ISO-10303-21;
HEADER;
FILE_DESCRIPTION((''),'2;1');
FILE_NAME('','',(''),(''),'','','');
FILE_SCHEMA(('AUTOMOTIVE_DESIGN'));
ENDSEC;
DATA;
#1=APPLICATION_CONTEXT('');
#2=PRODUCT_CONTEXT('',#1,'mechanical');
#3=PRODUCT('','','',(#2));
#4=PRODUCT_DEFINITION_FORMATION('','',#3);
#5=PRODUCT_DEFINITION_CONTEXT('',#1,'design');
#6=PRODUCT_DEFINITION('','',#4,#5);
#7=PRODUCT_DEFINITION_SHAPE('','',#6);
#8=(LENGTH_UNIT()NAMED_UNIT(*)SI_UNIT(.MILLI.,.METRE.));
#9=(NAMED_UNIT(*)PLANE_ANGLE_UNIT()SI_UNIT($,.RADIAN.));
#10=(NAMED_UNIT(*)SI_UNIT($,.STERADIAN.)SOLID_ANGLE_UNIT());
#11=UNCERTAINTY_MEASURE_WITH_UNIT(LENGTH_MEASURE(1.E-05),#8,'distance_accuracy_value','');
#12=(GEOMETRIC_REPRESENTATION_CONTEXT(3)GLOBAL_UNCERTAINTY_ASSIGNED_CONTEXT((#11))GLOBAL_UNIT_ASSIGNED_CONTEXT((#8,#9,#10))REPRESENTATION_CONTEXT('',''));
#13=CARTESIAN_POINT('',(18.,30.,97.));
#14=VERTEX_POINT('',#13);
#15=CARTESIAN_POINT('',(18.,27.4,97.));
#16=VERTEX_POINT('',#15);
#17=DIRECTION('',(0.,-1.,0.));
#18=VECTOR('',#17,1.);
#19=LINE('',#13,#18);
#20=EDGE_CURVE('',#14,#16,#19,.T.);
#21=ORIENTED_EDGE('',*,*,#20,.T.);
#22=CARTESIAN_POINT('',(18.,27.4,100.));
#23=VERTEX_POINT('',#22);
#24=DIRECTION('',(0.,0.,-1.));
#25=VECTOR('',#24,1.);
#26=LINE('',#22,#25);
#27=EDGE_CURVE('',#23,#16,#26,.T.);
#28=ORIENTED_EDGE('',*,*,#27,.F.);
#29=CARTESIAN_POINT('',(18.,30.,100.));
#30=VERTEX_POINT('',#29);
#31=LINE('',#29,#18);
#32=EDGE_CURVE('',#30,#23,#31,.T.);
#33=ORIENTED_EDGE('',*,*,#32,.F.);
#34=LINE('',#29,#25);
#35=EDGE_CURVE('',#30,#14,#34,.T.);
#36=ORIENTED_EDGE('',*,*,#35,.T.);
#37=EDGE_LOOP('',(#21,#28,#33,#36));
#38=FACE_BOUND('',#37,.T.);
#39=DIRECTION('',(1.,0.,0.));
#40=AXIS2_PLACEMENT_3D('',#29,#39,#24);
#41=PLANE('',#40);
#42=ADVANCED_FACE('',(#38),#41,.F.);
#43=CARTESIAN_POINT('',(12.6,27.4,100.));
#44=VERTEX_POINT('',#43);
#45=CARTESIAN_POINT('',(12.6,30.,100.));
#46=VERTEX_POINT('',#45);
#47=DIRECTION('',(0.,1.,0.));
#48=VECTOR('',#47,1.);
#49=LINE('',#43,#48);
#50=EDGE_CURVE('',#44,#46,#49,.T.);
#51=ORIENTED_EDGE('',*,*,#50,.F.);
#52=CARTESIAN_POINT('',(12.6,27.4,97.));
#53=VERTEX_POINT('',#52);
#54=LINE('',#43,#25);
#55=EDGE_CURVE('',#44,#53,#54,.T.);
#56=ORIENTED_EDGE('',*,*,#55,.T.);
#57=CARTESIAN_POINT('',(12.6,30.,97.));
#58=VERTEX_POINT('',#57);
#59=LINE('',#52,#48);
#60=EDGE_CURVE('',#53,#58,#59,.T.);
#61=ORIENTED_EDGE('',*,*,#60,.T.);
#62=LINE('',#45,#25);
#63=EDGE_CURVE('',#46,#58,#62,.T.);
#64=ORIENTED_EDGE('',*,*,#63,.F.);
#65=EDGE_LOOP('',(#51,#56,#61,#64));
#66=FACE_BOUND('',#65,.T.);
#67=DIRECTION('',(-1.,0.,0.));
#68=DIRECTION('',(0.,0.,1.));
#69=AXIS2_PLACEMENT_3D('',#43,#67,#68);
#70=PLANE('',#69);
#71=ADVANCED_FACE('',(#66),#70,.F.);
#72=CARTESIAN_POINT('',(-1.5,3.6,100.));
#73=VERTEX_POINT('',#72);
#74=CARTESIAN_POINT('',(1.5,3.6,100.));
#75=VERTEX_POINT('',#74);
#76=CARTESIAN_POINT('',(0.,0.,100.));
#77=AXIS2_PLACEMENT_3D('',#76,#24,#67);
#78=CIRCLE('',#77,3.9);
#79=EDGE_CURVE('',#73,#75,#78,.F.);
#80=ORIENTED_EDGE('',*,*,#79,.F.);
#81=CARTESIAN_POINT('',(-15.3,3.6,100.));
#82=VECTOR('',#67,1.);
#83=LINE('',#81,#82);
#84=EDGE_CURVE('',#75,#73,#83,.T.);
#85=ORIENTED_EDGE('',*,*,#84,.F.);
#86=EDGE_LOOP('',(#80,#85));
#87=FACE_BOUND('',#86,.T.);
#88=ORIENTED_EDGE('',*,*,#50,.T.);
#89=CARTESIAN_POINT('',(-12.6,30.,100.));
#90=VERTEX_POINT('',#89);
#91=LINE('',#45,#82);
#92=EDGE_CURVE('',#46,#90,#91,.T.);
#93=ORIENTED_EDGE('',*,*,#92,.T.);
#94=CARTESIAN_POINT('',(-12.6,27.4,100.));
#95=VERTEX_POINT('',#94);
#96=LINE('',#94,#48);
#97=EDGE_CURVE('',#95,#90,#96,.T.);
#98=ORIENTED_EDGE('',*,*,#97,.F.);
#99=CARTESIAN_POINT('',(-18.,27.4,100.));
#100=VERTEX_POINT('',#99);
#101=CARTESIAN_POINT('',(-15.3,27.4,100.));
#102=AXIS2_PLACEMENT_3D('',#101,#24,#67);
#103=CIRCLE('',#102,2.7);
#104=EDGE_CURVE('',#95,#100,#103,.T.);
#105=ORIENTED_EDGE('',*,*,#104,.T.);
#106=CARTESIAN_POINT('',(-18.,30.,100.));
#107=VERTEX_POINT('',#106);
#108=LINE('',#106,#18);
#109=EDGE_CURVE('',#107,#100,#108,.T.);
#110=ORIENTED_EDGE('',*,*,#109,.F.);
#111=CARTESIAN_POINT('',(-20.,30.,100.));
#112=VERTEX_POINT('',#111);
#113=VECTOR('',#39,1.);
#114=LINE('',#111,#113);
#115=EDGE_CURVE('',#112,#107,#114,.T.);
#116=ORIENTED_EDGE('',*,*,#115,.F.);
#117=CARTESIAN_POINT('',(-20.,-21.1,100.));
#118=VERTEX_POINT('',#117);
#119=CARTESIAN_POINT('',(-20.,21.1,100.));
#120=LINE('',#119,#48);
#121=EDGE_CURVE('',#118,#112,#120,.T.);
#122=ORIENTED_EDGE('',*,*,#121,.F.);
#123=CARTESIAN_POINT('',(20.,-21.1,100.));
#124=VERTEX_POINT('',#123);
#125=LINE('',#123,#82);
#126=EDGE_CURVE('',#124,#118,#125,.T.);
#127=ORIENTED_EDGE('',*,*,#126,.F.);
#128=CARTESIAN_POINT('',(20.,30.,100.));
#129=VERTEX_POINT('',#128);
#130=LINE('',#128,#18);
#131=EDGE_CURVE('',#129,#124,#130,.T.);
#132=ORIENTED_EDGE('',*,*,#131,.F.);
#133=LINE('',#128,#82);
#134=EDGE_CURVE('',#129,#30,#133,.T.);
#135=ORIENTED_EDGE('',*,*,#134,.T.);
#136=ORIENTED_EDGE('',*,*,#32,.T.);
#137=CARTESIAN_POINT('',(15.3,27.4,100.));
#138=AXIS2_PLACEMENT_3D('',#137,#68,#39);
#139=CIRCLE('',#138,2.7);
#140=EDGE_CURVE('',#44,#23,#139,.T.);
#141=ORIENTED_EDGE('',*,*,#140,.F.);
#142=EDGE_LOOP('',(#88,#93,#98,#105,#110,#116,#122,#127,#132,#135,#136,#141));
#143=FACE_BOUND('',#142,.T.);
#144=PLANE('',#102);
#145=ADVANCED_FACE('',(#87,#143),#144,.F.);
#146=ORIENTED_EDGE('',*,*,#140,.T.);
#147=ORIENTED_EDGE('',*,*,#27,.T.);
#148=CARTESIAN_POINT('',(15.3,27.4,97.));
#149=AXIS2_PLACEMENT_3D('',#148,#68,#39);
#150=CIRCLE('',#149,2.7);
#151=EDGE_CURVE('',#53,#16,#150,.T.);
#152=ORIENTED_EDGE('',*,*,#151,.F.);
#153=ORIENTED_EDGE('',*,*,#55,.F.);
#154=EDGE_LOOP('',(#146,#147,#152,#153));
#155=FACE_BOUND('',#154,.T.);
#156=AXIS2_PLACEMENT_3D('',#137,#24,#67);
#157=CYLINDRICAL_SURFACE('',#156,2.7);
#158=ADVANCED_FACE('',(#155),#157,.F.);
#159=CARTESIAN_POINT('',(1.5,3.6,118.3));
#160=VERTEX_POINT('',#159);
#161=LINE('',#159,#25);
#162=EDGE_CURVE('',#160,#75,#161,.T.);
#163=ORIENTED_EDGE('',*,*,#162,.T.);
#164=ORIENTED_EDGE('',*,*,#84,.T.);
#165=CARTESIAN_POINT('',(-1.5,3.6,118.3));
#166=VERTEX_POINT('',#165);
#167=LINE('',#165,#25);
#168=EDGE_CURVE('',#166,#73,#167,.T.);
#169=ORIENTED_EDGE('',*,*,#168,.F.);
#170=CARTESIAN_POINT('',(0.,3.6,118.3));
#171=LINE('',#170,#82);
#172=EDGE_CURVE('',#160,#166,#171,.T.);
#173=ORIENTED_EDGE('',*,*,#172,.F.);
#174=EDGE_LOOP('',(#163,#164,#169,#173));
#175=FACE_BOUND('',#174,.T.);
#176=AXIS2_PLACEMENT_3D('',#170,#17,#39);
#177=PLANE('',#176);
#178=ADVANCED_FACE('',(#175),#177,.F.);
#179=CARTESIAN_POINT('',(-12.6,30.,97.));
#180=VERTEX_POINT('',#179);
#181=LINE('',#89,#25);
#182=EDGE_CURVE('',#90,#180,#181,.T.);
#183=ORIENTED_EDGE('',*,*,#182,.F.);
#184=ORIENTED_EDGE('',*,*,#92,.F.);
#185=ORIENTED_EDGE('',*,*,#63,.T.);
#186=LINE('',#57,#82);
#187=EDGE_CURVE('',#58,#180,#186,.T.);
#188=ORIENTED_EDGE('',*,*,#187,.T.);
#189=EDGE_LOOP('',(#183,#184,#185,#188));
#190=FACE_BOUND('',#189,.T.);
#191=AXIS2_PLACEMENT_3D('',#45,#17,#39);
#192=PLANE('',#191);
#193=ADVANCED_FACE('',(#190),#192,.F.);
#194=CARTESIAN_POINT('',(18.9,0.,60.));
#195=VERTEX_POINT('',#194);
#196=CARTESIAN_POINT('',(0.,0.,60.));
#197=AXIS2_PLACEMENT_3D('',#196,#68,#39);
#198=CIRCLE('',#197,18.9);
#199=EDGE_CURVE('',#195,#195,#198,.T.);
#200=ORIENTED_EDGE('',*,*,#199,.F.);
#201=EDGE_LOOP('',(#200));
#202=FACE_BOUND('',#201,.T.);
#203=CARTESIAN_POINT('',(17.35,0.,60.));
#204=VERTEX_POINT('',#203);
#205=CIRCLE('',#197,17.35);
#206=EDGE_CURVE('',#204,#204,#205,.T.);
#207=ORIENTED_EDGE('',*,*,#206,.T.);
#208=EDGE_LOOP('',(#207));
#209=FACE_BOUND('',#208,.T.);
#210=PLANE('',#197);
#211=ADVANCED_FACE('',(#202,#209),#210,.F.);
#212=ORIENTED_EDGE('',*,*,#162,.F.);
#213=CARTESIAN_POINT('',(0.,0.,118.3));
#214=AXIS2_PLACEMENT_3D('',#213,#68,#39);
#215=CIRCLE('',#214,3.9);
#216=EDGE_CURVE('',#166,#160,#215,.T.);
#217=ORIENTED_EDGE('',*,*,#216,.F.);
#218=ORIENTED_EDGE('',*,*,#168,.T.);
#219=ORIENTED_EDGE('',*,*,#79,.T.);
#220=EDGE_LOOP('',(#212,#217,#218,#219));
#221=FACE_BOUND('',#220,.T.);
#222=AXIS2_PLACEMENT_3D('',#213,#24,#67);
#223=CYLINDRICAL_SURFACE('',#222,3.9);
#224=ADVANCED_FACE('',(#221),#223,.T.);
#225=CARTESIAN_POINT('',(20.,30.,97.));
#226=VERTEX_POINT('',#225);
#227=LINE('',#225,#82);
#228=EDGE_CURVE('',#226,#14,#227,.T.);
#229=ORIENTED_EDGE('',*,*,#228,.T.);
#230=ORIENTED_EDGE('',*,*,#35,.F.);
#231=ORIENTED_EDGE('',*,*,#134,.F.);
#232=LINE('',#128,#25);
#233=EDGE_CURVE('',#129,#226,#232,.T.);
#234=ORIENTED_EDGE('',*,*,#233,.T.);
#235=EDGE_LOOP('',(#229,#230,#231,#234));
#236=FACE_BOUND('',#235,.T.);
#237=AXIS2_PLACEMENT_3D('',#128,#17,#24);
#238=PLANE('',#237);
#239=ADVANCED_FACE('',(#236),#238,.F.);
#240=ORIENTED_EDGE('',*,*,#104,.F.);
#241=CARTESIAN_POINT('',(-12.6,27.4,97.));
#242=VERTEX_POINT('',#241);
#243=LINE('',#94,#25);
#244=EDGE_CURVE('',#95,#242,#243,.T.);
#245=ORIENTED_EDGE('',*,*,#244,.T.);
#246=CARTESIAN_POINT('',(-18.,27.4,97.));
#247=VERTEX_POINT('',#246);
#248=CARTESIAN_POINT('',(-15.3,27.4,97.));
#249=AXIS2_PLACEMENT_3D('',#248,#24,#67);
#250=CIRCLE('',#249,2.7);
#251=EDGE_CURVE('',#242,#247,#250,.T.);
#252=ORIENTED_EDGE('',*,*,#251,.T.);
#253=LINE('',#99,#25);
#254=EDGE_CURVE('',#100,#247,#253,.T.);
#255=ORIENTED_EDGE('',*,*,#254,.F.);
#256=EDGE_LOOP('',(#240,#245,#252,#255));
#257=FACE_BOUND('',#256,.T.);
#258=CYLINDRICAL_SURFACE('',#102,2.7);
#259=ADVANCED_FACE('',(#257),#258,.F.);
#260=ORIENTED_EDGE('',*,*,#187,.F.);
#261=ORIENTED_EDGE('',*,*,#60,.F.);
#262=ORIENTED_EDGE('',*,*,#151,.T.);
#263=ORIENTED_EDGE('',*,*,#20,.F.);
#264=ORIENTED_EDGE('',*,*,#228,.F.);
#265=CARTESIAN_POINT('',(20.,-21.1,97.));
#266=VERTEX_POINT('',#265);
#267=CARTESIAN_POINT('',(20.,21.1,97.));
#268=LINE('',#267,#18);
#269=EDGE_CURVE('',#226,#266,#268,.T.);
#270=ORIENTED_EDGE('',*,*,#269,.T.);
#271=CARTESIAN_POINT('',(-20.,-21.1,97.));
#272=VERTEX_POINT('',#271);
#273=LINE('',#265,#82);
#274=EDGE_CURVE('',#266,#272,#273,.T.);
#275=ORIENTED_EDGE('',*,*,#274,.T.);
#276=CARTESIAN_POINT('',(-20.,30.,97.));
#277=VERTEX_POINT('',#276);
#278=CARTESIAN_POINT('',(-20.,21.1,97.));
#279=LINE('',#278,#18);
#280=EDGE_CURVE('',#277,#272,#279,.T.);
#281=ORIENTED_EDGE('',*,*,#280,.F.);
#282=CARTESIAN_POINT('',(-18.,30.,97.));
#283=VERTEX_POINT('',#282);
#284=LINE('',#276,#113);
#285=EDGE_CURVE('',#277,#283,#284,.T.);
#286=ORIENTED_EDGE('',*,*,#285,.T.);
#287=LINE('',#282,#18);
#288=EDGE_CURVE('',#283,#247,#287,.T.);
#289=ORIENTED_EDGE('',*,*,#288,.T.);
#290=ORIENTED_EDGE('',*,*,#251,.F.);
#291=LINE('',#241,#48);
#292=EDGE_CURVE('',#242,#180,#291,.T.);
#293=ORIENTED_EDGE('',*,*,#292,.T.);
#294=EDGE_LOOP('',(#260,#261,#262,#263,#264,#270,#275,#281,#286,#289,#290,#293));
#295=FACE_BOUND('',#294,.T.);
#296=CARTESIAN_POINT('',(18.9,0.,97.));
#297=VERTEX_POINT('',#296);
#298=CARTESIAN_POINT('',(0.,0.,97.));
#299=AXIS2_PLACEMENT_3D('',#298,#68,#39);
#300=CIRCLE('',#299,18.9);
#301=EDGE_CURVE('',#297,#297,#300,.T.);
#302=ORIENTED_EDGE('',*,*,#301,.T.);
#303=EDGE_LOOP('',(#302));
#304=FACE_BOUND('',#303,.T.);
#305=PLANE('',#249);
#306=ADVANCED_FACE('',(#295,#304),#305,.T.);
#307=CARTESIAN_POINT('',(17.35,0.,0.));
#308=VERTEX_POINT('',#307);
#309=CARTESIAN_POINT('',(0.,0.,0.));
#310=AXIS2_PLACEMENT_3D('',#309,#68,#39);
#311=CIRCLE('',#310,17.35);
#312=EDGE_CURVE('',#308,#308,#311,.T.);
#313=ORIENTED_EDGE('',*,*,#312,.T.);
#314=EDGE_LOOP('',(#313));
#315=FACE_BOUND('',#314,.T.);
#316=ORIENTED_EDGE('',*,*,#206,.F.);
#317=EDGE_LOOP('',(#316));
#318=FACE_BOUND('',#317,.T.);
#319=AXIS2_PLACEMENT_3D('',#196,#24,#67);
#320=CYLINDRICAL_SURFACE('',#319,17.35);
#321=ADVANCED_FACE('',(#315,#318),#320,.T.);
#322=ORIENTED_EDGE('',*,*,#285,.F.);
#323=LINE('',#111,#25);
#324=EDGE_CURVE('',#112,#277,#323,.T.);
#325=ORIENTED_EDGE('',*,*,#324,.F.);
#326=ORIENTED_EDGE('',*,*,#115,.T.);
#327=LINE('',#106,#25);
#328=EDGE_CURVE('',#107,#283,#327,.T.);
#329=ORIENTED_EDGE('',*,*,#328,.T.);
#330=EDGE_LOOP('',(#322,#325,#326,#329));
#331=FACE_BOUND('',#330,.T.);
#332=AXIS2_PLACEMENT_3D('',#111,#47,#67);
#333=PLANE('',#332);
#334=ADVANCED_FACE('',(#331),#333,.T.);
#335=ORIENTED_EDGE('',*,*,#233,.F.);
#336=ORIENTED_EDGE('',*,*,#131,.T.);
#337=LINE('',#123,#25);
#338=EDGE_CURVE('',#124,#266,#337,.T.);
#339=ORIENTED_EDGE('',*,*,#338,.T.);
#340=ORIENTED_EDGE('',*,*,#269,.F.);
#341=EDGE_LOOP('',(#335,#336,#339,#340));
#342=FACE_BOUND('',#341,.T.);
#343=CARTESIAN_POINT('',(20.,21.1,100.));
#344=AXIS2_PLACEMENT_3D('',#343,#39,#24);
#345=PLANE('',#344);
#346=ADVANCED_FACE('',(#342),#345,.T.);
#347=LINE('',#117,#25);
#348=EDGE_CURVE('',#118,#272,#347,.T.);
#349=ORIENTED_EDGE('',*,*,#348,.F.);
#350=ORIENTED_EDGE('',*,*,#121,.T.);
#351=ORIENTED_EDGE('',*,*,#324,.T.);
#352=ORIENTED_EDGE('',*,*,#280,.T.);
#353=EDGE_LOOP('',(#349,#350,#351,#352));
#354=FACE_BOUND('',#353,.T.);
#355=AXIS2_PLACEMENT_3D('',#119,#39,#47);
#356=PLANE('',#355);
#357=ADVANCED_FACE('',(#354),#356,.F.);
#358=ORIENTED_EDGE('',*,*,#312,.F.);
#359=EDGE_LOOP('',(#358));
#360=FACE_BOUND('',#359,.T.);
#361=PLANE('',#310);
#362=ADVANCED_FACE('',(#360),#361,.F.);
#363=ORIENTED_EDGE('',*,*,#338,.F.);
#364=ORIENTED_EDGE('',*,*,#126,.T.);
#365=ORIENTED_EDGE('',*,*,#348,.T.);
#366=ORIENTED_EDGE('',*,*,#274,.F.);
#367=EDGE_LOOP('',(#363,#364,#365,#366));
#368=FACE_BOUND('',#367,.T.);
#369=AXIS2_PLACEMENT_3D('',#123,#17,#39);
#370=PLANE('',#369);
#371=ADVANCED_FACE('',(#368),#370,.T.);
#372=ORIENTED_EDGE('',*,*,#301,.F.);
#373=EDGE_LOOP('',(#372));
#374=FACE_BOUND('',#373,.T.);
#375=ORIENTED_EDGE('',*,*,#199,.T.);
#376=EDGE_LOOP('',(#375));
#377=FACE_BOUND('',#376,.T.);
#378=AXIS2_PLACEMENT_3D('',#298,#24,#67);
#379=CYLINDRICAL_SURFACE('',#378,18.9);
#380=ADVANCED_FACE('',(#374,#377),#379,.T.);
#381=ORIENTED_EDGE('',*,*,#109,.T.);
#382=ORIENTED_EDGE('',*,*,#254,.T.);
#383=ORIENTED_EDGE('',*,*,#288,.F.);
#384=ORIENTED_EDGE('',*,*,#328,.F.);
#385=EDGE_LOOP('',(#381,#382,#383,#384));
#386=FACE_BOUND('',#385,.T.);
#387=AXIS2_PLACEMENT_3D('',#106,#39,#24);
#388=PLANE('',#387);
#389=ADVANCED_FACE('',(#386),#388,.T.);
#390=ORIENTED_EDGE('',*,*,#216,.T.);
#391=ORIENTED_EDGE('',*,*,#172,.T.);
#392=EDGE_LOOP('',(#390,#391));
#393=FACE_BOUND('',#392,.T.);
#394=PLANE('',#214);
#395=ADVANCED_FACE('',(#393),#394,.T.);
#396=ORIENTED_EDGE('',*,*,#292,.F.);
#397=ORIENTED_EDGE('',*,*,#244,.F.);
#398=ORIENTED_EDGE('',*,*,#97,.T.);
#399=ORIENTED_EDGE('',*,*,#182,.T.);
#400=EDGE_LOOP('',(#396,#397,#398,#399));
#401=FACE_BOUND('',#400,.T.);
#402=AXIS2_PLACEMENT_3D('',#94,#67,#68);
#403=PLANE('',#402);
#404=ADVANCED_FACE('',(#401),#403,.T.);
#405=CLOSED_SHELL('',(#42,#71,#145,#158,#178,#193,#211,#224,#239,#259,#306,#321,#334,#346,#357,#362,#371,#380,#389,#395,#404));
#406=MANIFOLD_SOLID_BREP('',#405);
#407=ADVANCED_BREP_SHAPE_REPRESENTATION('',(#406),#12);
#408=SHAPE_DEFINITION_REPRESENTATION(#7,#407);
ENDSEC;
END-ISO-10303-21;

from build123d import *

# Parameters (mm, degrees)
SKETCH1_R           = 17.35
BOSS_EXTRUDE1_DEPTH = 60
SKETCH2_R           = 18.9
BOSS_EXTRUDE2_DEPTH = 37
BOSS_EXTRUDE4_DEPTH = 3
BOSS_EXTRUDE3_DEPTH = 21.3


with BuildPart() as part:
    # Sketch1 → Boss-Extrude1 (new body)
    with BuildSketch(Plane.XY):
        Circle(SKETCH1_R)
    extrude(amount=BOSS_EXTRUDE1_DEPTH)

    # Sketch2 → Boss-Extrude2 (add)
    with BuildSketch(Plane.XY.offset(60)):
        Circle(SKETCH2_R)
    extrude(amount=BOSS_EXTRUDE2_DEPTH)

    # Sketch4 → Boss-Extrude4 (add)
    with BuildSketch(Plane.XY.offset(97)):
        with BuildLine():
            Line((20, 21.1), (20, -21.1))
            Line((20, -21.1), (-20, -21.1))
            Line((-20, -21.1), (-20, 21.1))
            Line((-20, 21.1), (-20, 30))
            Line((-20, 30), (-18, 30))
            Line((-18, 30), (-18, 27.4))
            ThreePointArc((-18, 27.4), (-15.3, 24.7), (-12.6, 27.4))
            Line((-12.6, 27.4), (-12.6, 30))
            Line((-12.6, 30), (12.6, 30))
            Line((12.6, 30), (12.6, 27.4))
            ThreePointArc((12.6, 27.4), (15.3, 24.7), (18, 27.4))
            Line((18, 27.4), (18, 30))
            Line((18, 30), (20, 30))
            Line((20, 30), (20, 21.1))
        make_face()
    extrude(amount=BOSS_EXTRUDE4_DEPTH)

    # Sketch3 → Boss-Extrude3 (add)
    with BuildSketch(Plane.XY.offset(97)):
        with BuildLine():
            Line((1.5, 3.6), (0, 3.6))
            Line((0, 3.6), (-1.5, 3.6))
            ThreePointArc((-1.5, 3.6), (0, -3.9), (1.5, 3.6))
        make_face()
    extrude(amount=BOSS_EXTRUDE3_DEPTH)


solid = part.part
